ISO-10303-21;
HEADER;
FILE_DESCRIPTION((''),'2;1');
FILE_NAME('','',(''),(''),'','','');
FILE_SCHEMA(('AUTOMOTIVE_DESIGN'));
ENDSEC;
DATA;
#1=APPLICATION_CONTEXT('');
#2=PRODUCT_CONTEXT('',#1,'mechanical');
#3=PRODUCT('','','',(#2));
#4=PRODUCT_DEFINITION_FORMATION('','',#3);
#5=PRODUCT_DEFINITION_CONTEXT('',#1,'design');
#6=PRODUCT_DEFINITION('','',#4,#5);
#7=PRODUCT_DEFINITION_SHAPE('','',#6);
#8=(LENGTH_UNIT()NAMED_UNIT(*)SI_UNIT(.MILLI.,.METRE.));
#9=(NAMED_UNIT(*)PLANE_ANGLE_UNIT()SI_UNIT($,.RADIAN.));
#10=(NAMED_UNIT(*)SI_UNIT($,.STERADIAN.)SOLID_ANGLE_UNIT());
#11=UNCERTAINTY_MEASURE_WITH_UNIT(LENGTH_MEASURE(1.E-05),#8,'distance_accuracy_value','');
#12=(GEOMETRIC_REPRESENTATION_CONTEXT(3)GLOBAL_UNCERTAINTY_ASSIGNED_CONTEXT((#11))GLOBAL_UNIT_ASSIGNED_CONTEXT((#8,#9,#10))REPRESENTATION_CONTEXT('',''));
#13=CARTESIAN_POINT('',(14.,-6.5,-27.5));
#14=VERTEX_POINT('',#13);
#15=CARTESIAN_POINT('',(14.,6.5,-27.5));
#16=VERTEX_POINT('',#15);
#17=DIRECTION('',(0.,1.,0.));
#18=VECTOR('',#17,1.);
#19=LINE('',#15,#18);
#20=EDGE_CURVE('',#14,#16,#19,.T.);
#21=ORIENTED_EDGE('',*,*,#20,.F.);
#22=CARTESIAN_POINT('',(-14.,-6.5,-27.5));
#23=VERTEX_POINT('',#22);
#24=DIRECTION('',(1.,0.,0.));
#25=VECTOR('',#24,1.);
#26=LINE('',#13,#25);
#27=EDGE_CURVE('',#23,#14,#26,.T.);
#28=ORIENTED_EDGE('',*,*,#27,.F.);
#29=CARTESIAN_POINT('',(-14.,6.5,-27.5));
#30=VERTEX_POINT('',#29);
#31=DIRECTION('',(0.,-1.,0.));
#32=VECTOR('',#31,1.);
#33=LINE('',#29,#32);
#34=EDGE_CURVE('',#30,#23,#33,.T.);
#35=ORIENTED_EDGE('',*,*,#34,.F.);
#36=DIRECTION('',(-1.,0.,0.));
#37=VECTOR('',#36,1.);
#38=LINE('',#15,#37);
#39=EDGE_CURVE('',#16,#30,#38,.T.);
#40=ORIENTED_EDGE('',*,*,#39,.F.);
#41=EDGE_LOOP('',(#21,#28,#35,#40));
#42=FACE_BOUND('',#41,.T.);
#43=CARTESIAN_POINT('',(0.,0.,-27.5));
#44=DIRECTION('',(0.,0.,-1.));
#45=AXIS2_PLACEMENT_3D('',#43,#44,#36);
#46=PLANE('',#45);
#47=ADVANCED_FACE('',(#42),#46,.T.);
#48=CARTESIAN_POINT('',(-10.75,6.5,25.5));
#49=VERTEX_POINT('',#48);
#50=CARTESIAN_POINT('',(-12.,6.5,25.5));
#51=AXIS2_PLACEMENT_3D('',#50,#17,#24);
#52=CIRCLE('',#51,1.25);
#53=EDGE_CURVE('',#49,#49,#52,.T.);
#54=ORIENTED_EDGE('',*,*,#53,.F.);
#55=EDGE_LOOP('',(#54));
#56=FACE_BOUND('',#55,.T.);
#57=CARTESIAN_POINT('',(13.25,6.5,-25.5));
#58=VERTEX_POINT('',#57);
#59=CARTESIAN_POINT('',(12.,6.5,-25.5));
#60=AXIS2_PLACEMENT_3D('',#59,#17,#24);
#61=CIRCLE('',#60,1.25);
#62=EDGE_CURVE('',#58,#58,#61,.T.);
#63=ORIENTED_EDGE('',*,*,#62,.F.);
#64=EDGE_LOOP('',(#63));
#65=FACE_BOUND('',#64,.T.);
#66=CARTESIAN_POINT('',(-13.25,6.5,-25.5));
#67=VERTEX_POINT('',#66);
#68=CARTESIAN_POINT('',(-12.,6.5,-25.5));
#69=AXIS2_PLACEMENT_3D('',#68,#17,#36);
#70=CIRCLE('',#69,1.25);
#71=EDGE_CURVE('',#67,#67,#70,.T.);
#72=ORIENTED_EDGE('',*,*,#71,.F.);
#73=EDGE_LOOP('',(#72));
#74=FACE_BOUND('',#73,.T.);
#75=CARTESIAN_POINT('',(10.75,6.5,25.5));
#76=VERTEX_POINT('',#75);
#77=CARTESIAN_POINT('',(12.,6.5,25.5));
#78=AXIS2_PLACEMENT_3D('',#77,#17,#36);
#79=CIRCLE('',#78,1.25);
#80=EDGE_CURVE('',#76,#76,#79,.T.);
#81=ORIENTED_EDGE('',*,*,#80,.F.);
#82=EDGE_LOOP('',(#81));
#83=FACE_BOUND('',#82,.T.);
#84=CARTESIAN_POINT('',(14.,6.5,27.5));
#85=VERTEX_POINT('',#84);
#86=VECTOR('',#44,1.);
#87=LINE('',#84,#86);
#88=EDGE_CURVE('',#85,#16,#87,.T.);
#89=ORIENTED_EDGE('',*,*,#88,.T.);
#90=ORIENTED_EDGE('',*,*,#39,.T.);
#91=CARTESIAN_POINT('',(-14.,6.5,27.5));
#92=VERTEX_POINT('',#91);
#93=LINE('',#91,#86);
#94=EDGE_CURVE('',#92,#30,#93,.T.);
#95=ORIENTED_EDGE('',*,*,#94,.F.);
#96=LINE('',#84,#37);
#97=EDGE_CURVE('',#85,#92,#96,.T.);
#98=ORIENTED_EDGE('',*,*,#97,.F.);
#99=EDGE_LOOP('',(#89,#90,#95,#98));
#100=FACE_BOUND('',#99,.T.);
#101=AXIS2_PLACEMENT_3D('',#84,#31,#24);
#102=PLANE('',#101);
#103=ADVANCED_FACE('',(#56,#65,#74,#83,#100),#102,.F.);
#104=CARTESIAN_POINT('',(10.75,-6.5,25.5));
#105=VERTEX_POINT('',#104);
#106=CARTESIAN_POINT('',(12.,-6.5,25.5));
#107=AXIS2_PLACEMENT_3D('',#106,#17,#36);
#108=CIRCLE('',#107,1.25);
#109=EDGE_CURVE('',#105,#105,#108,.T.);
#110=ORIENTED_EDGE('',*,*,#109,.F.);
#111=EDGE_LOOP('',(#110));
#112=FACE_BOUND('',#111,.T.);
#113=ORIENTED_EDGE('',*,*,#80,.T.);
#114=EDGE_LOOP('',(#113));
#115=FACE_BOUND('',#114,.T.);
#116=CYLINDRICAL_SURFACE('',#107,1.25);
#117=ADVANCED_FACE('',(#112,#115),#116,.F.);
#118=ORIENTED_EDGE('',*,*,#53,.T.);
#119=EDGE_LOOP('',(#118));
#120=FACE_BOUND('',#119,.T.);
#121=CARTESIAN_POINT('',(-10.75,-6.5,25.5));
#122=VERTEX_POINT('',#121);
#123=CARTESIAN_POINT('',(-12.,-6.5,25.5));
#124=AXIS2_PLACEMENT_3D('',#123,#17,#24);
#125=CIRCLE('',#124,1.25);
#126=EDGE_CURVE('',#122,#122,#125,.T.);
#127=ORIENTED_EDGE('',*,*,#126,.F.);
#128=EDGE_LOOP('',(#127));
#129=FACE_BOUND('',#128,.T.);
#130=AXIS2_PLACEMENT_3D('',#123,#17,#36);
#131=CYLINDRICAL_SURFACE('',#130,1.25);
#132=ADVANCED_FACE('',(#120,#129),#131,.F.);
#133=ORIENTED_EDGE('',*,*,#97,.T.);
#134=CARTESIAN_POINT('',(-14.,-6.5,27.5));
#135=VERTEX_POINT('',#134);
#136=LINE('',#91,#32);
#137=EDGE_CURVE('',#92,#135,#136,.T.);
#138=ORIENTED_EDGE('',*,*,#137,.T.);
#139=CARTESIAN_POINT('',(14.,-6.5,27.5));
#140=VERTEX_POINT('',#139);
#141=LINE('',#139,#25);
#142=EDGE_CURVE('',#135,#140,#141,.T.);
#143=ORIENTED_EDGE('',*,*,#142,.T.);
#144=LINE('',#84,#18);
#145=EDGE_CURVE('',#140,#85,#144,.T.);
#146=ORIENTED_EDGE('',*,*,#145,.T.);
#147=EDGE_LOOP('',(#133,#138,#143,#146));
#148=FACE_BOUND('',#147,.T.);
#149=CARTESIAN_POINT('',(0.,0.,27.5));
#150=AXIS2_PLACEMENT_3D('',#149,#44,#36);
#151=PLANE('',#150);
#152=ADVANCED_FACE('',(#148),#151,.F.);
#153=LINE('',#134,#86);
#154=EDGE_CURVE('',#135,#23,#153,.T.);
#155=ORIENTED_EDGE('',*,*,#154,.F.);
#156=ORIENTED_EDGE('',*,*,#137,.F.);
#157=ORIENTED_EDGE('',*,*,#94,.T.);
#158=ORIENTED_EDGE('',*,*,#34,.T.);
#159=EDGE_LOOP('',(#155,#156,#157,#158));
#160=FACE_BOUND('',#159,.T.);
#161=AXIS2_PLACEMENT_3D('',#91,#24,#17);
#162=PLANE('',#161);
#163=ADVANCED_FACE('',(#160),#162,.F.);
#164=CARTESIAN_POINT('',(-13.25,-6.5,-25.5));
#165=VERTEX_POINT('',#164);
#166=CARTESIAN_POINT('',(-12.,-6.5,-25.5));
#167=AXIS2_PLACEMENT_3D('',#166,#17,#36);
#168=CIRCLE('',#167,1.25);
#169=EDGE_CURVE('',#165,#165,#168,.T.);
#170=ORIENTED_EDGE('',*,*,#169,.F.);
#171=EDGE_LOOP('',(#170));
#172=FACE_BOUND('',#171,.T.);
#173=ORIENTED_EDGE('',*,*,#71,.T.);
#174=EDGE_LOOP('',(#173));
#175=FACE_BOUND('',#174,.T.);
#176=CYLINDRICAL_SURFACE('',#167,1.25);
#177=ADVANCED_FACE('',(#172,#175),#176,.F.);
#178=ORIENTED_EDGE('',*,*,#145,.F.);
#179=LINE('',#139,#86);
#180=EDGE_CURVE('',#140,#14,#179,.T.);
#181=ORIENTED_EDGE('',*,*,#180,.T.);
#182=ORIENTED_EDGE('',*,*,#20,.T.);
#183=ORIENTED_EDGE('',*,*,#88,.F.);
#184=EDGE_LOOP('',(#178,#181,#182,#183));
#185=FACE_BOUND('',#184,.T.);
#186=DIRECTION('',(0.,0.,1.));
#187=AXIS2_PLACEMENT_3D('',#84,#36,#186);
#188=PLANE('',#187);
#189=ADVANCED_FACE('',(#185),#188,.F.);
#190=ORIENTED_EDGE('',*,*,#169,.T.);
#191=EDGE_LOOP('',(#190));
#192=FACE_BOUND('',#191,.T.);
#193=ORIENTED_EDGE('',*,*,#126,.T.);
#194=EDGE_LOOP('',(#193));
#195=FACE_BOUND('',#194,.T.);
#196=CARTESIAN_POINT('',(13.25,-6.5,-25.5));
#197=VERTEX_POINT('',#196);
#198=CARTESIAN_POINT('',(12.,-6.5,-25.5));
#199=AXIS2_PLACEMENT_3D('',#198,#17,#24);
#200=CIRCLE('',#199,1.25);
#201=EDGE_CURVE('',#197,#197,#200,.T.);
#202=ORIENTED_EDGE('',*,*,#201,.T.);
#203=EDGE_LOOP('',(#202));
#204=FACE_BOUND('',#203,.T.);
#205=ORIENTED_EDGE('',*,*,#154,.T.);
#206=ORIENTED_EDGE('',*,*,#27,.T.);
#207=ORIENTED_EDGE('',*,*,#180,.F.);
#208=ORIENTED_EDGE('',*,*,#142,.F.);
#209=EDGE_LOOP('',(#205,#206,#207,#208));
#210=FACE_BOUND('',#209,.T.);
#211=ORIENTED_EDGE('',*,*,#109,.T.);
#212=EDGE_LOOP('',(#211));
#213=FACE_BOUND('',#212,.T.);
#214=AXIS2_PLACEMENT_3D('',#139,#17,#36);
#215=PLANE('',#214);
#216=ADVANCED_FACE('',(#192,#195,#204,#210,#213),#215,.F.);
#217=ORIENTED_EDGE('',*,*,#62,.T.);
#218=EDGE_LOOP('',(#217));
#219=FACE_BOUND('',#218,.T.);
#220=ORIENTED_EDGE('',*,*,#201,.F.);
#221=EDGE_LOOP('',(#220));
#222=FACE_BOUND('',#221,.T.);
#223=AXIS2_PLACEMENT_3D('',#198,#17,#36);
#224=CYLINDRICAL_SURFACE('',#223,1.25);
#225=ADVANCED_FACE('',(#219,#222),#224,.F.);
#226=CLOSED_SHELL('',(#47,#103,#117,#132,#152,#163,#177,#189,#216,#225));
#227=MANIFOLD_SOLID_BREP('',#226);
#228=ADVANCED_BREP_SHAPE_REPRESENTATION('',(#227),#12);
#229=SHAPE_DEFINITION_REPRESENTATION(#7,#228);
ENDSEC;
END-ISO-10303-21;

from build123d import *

# Parameters (mm, degrees)
SKETCH_1_W         = 28
SKETCH_1_H         = 13
EXTRUDE_1_DEPTH    = 27.5
SKETCH1_R          = 1.25
CUT_EXTRUDE1_DEPTH = 34.485071301


with BuildPart() as part:
    # 草图1 → 凸台-拉伸1 (new, symmetric)
    with BuildSketch(Plane.XY):
        Rectangle(SKETCH_1_W, SKETCH_1_H)
    extrude(amount=EXTRUDE_1_DEPTH, both=True)

    # Sketch1 → Cut-Extrude1 (cut, through all)
    with BuildSketch(Plane(origin=(0, 6.5, 0), x_dir=(1, 0, 0), z_dir=(0, 1, 0))):
        with Locations(Location((-12, 25.5, 0), (0, 0, 180))):
            Circle(SKETCH1_R)
        with Locations((12, 25.5)):
            Circle(SKETCH1_R)
        with Locations(Location((12, -25.5, 0), (0, 0, 180))):
            Circle(SKETCH1_R)
        with Locations((-12, -25.5)):
            Circle(SKETCH1_R)
    extrude(amount=-CUT_EXTRUDE1_DEPTH, mode=Mode.SUBTRACT)


solid = part.part
